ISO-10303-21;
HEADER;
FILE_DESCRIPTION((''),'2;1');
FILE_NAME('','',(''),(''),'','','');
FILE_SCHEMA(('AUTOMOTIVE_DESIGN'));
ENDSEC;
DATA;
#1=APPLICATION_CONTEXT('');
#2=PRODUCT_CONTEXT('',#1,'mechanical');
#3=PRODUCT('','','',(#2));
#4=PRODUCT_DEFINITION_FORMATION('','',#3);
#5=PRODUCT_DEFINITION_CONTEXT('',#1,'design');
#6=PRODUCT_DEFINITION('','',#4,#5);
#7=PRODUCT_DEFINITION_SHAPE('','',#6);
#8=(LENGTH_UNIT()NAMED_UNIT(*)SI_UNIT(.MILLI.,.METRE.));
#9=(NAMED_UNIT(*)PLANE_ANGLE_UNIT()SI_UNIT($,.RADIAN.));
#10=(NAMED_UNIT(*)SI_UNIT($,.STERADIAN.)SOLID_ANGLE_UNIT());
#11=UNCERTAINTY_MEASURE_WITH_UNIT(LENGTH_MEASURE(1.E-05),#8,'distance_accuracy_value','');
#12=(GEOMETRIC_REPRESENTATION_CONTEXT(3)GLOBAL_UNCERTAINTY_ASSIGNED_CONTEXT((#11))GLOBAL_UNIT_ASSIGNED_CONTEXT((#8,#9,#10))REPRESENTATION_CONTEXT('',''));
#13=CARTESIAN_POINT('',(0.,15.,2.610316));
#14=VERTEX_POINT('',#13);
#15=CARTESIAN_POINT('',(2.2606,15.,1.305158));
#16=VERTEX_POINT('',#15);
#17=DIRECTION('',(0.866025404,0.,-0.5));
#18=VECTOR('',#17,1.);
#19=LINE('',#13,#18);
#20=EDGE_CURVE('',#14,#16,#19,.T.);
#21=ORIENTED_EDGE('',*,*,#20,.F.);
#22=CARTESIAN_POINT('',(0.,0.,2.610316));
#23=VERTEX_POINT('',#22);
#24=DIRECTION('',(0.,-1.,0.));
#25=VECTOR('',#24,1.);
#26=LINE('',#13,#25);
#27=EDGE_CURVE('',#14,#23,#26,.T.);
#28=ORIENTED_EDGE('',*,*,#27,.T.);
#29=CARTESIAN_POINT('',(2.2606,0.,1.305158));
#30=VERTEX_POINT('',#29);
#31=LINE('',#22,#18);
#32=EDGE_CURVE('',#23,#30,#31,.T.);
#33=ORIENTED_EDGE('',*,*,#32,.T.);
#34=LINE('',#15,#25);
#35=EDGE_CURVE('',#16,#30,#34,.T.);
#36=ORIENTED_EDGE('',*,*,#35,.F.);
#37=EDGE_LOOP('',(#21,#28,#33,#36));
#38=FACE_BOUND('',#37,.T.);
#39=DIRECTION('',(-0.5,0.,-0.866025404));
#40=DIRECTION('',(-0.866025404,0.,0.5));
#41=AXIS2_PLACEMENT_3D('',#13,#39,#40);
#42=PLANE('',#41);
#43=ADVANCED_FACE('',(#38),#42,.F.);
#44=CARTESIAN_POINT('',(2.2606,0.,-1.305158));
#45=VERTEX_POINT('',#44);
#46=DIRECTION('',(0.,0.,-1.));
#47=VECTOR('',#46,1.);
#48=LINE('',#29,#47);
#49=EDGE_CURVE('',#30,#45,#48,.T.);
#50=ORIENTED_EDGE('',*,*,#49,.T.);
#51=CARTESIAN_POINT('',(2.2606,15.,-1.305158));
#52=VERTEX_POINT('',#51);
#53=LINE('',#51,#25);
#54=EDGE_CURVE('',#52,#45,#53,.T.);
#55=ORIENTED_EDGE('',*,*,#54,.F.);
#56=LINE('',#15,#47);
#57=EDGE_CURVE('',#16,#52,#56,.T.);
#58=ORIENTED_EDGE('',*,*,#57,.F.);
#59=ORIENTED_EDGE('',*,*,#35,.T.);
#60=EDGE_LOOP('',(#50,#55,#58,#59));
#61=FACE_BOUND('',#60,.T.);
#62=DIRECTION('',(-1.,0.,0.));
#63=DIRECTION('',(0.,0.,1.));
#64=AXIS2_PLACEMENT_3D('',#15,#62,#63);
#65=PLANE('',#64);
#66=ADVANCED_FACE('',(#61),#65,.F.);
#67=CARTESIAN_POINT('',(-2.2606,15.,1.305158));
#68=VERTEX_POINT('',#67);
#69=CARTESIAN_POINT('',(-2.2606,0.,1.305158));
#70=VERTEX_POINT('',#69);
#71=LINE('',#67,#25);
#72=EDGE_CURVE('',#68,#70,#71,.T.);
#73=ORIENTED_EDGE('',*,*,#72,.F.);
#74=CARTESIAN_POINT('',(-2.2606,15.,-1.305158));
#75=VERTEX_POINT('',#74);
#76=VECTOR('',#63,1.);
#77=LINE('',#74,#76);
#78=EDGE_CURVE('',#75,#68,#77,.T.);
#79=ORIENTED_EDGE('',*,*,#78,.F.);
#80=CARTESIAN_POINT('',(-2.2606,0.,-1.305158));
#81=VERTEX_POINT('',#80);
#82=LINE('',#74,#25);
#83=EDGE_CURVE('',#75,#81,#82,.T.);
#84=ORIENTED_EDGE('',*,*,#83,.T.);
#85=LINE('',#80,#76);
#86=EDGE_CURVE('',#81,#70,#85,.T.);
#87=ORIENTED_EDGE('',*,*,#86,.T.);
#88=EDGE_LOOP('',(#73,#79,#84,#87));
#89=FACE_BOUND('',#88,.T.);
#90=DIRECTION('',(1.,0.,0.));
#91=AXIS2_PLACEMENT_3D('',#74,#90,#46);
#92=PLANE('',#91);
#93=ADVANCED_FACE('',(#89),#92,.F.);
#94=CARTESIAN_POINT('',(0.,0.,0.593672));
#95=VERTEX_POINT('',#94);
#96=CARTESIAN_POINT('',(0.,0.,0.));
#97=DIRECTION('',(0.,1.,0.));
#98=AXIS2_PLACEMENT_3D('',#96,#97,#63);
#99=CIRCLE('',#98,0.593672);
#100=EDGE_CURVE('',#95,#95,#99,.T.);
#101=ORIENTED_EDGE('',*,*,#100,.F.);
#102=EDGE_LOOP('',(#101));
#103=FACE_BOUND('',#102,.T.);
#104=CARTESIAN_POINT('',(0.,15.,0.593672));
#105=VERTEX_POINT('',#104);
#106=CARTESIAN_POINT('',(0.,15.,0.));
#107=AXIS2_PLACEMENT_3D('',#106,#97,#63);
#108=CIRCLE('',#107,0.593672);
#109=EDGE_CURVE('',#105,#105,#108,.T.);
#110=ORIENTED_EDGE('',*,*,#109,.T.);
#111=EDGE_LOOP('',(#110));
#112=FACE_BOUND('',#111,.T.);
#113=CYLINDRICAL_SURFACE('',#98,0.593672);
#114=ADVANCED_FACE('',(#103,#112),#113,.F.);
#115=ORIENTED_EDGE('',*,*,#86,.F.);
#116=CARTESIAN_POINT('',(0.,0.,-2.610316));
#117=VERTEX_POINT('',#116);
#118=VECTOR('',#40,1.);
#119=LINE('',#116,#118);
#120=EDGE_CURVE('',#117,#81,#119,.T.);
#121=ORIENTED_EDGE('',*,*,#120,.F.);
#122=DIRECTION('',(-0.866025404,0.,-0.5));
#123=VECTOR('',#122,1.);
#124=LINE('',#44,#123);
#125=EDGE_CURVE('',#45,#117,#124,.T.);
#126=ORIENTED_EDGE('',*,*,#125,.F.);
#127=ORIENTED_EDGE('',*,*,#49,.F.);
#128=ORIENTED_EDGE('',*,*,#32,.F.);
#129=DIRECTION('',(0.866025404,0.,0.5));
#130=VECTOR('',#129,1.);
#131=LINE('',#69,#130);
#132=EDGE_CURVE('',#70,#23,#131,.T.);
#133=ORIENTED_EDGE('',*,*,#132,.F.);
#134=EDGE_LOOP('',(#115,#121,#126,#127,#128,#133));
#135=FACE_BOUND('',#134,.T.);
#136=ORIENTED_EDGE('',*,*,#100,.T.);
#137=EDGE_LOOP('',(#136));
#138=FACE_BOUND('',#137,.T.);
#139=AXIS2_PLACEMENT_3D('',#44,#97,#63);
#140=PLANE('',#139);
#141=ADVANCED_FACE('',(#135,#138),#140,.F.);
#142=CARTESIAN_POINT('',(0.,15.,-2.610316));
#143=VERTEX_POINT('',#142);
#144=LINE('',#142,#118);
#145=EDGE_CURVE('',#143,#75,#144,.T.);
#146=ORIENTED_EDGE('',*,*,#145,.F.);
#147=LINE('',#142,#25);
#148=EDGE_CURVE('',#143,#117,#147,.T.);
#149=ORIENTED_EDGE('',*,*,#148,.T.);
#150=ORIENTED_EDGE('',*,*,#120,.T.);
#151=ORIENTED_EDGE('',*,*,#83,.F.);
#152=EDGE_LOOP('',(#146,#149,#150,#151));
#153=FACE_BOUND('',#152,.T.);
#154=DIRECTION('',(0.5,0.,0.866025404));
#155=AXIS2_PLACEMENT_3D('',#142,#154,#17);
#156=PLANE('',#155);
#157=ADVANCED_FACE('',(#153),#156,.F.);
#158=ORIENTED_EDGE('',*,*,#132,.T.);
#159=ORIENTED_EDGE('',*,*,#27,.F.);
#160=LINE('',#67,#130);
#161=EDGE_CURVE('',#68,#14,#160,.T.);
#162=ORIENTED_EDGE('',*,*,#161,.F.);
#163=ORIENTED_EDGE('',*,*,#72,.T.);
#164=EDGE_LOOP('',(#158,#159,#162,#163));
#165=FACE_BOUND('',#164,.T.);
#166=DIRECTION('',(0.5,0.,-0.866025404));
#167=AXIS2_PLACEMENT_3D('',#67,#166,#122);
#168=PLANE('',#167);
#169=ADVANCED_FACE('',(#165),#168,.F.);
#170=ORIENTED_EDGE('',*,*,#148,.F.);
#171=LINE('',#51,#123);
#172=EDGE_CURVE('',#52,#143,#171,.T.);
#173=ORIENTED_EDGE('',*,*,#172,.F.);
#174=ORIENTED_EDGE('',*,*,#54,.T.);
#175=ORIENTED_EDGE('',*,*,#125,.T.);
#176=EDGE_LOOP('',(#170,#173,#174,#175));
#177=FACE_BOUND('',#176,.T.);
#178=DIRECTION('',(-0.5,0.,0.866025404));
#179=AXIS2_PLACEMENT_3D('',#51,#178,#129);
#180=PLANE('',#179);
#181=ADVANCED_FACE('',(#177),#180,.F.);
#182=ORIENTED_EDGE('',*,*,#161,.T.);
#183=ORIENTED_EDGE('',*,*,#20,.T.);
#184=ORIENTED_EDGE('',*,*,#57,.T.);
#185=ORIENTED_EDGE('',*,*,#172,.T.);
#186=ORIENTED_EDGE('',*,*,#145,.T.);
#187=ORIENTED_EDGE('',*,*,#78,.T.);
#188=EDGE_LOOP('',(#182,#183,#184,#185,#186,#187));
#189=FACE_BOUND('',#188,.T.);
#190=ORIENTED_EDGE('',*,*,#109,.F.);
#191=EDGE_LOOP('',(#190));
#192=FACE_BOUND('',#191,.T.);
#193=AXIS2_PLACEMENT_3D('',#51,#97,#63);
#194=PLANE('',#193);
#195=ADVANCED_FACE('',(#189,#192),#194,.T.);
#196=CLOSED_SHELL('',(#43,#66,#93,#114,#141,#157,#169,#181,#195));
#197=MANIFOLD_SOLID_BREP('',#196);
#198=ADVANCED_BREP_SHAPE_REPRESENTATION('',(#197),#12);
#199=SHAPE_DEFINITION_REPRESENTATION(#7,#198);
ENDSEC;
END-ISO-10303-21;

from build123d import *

# Parameters (mm, degrees)
BOSS_EXTRUDE1_DEPTH = 15
SKETCH3_R           = 0.593671867
CUT_EXTRUDE1_DEPTH  = 16.392337775


with BuildPart() as part:
    # Sketch1 → Boss-Extrude1 (new body)
    with BuildSketch(Plane(origin=(0, 0, 0), x_dir=(1, 0, 0), z_dir=(0, 1, 0))):
        Polygon((2.2606, 1.305158019), (0, 2.610316037), (-2.2606, 1.305158019), (-2.2606, -1.305158019), (0, -2.610316037), (2.2606, -1.305158019), align=None)
    extrude(amount=BOSS_EXTRUDE1_DEPTH)

    # Sketch3 → Cut-Extrude1 (cut, through all)
    with BuildSketch(Plane(origin=(0, 15, 0), x_dir=(1, 0, 0), z_dir=(0, 1, 0))):
        with Locations(Location((0, 0, 0), (0, 0, 270))):
            Circle(SKETCH3_R)
    extrude(amount=-CUT_EXTRUDE1_DEPTH, mode=Mode.SUBTRACT)


solid = part.part
